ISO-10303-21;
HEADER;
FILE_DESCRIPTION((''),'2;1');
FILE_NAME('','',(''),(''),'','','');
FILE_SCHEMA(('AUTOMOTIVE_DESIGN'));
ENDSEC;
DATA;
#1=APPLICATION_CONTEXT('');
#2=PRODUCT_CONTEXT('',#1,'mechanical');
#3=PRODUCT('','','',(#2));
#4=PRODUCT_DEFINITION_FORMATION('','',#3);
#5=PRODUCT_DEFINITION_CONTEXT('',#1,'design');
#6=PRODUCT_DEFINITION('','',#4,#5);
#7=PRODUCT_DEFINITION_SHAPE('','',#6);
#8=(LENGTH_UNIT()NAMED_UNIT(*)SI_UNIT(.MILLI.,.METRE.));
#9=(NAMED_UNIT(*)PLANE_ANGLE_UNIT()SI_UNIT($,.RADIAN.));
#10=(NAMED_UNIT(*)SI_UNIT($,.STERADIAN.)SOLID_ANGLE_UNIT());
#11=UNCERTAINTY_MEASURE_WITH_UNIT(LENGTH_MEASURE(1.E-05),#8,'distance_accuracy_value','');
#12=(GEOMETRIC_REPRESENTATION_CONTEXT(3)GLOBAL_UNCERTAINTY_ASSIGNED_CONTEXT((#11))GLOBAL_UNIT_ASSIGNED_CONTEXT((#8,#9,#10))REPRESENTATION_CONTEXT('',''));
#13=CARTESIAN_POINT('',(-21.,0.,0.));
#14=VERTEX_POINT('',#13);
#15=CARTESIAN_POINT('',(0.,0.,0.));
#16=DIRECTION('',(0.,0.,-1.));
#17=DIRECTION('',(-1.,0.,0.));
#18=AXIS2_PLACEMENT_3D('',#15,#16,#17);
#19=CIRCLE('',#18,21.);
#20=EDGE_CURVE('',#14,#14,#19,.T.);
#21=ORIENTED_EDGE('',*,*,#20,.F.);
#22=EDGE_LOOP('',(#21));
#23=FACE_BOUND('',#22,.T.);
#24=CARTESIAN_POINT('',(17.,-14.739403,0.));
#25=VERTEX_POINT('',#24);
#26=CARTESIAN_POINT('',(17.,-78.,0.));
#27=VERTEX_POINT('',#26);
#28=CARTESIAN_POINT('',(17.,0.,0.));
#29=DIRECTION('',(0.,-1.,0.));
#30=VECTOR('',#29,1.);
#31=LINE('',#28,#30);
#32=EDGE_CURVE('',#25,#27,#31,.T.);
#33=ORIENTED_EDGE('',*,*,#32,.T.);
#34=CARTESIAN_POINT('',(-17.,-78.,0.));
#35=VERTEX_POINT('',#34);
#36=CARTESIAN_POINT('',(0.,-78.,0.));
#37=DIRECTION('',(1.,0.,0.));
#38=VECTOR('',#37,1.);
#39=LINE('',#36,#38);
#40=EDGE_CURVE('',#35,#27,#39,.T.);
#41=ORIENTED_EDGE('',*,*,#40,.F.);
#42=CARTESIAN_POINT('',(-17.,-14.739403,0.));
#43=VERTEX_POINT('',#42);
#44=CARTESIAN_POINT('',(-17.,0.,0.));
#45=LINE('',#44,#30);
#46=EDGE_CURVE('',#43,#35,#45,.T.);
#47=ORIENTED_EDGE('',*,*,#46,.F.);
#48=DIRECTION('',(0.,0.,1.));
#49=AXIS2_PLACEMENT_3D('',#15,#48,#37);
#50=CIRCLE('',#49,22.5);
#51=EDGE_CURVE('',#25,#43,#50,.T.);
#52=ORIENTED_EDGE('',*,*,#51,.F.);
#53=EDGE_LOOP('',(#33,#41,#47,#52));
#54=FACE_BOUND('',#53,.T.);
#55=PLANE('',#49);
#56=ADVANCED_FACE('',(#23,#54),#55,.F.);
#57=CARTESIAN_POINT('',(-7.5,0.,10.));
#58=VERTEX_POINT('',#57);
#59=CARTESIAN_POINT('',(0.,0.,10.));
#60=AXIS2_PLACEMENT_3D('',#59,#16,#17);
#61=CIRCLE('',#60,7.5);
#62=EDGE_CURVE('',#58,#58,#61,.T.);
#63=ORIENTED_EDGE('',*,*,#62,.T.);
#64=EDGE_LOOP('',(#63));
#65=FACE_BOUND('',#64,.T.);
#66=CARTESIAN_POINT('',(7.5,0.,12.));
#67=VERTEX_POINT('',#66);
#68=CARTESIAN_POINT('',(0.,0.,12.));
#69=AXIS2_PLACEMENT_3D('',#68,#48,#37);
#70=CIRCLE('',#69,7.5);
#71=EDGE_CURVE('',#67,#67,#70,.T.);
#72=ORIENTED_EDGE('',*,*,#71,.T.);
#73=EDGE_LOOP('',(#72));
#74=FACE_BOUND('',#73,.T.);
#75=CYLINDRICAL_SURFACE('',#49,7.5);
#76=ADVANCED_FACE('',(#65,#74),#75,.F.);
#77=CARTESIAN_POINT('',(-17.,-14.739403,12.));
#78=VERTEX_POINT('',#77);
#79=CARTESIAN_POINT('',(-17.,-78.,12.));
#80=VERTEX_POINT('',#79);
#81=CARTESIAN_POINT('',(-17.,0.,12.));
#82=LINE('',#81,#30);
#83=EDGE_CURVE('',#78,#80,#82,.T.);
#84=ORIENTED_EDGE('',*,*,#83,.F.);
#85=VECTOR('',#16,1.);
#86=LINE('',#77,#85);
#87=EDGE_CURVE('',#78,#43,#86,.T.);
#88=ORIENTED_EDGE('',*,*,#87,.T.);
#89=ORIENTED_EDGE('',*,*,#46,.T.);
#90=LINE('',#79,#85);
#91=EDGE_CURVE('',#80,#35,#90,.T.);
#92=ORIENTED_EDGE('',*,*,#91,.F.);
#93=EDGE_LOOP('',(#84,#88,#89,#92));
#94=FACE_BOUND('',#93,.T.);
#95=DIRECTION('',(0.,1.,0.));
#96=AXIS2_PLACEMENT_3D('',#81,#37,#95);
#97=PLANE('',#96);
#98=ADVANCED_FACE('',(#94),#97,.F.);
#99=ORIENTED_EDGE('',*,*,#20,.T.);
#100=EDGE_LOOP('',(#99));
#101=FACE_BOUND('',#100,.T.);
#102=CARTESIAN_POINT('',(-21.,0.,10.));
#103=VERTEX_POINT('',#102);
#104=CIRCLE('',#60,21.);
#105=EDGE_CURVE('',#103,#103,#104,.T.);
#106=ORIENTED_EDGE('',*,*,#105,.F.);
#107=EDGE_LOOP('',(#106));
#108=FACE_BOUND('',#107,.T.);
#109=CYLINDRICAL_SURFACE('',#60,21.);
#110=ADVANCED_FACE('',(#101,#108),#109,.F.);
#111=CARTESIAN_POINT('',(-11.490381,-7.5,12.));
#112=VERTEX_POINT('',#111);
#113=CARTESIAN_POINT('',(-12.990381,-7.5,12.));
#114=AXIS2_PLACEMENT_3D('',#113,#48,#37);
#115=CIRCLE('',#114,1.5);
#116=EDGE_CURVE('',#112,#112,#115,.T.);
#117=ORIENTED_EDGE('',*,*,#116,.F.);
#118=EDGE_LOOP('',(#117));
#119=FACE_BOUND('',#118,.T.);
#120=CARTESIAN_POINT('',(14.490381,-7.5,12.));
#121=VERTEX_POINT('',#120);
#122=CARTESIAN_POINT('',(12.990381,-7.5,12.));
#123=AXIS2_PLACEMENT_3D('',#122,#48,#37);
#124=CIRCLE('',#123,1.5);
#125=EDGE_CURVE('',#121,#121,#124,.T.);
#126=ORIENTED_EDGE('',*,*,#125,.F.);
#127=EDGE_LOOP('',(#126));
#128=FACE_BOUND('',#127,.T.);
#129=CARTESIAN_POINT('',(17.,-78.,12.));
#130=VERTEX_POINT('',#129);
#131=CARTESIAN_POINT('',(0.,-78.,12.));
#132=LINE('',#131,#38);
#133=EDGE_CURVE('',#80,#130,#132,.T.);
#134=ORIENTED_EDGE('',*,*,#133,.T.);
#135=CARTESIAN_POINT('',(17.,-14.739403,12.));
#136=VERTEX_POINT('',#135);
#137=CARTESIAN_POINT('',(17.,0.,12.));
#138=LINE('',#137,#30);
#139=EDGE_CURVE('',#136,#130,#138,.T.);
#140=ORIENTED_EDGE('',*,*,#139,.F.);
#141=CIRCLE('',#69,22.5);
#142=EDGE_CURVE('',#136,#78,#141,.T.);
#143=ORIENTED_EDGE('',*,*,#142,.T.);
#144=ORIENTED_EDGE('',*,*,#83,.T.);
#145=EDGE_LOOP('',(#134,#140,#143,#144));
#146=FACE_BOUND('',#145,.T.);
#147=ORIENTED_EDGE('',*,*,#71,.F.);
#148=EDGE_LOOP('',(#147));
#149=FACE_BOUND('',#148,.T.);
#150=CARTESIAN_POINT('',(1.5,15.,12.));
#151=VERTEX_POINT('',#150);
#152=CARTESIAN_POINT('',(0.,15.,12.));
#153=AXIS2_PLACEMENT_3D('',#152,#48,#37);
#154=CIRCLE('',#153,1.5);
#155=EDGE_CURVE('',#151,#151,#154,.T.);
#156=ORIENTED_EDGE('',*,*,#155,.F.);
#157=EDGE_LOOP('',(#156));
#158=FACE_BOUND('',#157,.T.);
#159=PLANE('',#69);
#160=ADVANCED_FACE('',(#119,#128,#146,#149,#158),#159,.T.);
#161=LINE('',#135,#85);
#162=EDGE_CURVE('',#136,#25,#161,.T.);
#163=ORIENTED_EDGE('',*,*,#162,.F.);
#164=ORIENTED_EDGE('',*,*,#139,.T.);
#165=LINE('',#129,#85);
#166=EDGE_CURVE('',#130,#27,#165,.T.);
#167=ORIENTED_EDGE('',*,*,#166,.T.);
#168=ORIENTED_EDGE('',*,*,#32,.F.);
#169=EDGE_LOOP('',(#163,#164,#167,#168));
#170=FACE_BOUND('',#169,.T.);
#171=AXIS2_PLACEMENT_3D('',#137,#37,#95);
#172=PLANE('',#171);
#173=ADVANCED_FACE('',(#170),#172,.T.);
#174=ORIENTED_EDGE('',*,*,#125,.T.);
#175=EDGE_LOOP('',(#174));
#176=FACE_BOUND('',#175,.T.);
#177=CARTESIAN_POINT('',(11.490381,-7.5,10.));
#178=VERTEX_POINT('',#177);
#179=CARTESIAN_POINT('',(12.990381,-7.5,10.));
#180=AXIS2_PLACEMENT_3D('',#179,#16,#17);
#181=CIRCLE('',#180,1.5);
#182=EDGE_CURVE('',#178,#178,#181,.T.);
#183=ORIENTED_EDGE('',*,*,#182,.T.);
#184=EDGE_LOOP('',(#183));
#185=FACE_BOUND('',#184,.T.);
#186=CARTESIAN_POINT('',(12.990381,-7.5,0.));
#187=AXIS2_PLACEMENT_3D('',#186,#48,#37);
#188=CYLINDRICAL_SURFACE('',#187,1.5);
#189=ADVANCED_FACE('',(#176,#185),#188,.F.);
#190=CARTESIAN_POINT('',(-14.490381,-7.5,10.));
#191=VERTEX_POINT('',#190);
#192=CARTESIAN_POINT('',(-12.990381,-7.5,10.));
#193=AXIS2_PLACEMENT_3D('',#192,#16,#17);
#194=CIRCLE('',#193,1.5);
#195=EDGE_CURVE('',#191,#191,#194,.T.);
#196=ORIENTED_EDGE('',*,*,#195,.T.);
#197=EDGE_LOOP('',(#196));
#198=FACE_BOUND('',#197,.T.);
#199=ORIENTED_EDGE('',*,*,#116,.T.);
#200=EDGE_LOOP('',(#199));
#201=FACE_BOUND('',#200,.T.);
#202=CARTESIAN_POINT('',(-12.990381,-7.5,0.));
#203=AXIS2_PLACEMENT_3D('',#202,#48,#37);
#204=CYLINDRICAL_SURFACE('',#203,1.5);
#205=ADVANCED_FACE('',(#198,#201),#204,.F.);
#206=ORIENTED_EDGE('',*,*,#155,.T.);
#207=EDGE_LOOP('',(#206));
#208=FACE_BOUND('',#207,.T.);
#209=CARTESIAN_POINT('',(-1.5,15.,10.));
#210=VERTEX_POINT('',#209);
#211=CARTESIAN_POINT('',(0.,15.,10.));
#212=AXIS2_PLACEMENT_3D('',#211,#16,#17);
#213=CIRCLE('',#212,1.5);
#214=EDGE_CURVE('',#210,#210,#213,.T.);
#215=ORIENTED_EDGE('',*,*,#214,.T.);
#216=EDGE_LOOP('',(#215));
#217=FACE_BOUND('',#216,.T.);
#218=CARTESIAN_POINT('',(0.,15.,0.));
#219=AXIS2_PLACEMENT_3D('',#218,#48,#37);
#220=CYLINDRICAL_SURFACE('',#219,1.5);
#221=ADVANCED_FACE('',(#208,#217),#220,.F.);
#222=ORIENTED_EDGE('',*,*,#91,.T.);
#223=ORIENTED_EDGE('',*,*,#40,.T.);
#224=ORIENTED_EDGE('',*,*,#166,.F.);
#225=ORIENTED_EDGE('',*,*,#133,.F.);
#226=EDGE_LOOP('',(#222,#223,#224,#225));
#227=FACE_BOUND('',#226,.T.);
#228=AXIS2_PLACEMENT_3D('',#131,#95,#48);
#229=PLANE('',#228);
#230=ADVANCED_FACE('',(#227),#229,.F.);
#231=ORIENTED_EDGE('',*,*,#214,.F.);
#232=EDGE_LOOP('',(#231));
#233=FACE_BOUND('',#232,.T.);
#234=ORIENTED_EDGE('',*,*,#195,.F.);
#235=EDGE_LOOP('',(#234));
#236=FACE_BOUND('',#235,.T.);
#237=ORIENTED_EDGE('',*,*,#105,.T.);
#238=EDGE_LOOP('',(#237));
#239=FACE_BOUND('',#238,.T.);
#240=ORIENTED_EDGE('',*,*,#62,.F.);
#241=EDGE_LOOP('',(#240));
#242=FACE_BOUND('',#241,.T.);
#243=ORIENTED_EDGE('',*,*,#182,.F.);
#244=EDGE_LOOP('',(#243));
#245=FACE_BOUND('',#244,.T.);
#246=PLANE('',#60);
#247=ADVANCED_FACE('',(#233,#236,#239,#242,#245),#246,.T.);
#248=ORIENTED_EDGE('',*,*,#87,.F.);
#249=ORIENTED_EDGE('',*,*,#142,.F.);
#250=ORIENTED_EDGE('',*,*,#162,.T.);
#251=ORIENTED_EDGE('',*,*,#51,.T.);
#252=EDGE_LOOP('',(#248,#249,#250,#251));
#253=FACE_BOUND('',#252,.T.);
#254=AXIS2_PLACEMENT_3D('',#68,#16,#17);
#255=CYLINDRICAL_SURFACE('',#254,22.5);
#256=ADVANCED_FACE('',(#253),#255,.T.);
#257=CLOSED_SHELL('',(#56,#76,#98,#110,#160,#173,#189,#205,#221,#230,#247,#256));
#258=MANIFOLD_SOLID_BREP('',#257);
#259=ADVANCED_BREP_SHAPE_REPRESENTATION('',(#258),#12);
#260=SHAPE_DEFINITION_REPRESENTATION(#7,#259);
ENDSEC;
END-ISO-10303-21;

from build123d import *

# Parameters (mm, degrees)
SKETCH1_R           = 22.5
BOSS_EXTRUDE1_DEPTH = 12
SKETCH2_R           = 21
CUT_EXTRUDE1_DEPTH  = 10
SKETCH3_R           = 1.5
SKETCH3_R_2         = 7.5
CUT_EXTRUDE2_DEPTH  = 83.0624762


with BuildPart() as part:
    # Sketch1 → Boss-Extrude1 (new body)
    with BuildSketch(Plane.XY):
        Circle(SKETCH1_R)
        with BuildLine():
            Line((-17, -14.739402973), (-17, -78))
            Line((-17, -78), (17, -78))
            Line((17, -78), (17, -14.739402973))
            ThreePointArc((17, -14.739402973), (0, -22.5), (-17, -14.739402973))
        make_face()
    extrude(amount=BOSS_EXTRUDE1_DEPTH)

    # Sketch2 → Cut-Extrude1 (cut)
    with BuildSketch(Plane(origin=(0, 0, 0), x_dir=(-1, 0, 0), z_dir=(0, 0, -1))):
        Circle(SKETCH2_R)
    extrude(amount=-CUT_EXTRUDE1_DEPTH, mode=Mode.SUBTRACT)

    # Sketch3 → Cut-Extrude2 (cut, through all)
    with BuildSketch(Plane.XY.offset(12)):
        with Locations((0, 15)):
            Circle(SKETCH3_R)
        with Locations((12.990381057, -7.5)):
            Circle(SKETCH3_R)
        with Locations((-12.990381057, -7.5)):
            Circle(SKETCH3_R)
        Circle(SKETCH3_R_2)
    extrude(amount=-CUT_EXTRUDE2_DEPTH, mode=Mode.SUBTRACT)


solid = part.part
